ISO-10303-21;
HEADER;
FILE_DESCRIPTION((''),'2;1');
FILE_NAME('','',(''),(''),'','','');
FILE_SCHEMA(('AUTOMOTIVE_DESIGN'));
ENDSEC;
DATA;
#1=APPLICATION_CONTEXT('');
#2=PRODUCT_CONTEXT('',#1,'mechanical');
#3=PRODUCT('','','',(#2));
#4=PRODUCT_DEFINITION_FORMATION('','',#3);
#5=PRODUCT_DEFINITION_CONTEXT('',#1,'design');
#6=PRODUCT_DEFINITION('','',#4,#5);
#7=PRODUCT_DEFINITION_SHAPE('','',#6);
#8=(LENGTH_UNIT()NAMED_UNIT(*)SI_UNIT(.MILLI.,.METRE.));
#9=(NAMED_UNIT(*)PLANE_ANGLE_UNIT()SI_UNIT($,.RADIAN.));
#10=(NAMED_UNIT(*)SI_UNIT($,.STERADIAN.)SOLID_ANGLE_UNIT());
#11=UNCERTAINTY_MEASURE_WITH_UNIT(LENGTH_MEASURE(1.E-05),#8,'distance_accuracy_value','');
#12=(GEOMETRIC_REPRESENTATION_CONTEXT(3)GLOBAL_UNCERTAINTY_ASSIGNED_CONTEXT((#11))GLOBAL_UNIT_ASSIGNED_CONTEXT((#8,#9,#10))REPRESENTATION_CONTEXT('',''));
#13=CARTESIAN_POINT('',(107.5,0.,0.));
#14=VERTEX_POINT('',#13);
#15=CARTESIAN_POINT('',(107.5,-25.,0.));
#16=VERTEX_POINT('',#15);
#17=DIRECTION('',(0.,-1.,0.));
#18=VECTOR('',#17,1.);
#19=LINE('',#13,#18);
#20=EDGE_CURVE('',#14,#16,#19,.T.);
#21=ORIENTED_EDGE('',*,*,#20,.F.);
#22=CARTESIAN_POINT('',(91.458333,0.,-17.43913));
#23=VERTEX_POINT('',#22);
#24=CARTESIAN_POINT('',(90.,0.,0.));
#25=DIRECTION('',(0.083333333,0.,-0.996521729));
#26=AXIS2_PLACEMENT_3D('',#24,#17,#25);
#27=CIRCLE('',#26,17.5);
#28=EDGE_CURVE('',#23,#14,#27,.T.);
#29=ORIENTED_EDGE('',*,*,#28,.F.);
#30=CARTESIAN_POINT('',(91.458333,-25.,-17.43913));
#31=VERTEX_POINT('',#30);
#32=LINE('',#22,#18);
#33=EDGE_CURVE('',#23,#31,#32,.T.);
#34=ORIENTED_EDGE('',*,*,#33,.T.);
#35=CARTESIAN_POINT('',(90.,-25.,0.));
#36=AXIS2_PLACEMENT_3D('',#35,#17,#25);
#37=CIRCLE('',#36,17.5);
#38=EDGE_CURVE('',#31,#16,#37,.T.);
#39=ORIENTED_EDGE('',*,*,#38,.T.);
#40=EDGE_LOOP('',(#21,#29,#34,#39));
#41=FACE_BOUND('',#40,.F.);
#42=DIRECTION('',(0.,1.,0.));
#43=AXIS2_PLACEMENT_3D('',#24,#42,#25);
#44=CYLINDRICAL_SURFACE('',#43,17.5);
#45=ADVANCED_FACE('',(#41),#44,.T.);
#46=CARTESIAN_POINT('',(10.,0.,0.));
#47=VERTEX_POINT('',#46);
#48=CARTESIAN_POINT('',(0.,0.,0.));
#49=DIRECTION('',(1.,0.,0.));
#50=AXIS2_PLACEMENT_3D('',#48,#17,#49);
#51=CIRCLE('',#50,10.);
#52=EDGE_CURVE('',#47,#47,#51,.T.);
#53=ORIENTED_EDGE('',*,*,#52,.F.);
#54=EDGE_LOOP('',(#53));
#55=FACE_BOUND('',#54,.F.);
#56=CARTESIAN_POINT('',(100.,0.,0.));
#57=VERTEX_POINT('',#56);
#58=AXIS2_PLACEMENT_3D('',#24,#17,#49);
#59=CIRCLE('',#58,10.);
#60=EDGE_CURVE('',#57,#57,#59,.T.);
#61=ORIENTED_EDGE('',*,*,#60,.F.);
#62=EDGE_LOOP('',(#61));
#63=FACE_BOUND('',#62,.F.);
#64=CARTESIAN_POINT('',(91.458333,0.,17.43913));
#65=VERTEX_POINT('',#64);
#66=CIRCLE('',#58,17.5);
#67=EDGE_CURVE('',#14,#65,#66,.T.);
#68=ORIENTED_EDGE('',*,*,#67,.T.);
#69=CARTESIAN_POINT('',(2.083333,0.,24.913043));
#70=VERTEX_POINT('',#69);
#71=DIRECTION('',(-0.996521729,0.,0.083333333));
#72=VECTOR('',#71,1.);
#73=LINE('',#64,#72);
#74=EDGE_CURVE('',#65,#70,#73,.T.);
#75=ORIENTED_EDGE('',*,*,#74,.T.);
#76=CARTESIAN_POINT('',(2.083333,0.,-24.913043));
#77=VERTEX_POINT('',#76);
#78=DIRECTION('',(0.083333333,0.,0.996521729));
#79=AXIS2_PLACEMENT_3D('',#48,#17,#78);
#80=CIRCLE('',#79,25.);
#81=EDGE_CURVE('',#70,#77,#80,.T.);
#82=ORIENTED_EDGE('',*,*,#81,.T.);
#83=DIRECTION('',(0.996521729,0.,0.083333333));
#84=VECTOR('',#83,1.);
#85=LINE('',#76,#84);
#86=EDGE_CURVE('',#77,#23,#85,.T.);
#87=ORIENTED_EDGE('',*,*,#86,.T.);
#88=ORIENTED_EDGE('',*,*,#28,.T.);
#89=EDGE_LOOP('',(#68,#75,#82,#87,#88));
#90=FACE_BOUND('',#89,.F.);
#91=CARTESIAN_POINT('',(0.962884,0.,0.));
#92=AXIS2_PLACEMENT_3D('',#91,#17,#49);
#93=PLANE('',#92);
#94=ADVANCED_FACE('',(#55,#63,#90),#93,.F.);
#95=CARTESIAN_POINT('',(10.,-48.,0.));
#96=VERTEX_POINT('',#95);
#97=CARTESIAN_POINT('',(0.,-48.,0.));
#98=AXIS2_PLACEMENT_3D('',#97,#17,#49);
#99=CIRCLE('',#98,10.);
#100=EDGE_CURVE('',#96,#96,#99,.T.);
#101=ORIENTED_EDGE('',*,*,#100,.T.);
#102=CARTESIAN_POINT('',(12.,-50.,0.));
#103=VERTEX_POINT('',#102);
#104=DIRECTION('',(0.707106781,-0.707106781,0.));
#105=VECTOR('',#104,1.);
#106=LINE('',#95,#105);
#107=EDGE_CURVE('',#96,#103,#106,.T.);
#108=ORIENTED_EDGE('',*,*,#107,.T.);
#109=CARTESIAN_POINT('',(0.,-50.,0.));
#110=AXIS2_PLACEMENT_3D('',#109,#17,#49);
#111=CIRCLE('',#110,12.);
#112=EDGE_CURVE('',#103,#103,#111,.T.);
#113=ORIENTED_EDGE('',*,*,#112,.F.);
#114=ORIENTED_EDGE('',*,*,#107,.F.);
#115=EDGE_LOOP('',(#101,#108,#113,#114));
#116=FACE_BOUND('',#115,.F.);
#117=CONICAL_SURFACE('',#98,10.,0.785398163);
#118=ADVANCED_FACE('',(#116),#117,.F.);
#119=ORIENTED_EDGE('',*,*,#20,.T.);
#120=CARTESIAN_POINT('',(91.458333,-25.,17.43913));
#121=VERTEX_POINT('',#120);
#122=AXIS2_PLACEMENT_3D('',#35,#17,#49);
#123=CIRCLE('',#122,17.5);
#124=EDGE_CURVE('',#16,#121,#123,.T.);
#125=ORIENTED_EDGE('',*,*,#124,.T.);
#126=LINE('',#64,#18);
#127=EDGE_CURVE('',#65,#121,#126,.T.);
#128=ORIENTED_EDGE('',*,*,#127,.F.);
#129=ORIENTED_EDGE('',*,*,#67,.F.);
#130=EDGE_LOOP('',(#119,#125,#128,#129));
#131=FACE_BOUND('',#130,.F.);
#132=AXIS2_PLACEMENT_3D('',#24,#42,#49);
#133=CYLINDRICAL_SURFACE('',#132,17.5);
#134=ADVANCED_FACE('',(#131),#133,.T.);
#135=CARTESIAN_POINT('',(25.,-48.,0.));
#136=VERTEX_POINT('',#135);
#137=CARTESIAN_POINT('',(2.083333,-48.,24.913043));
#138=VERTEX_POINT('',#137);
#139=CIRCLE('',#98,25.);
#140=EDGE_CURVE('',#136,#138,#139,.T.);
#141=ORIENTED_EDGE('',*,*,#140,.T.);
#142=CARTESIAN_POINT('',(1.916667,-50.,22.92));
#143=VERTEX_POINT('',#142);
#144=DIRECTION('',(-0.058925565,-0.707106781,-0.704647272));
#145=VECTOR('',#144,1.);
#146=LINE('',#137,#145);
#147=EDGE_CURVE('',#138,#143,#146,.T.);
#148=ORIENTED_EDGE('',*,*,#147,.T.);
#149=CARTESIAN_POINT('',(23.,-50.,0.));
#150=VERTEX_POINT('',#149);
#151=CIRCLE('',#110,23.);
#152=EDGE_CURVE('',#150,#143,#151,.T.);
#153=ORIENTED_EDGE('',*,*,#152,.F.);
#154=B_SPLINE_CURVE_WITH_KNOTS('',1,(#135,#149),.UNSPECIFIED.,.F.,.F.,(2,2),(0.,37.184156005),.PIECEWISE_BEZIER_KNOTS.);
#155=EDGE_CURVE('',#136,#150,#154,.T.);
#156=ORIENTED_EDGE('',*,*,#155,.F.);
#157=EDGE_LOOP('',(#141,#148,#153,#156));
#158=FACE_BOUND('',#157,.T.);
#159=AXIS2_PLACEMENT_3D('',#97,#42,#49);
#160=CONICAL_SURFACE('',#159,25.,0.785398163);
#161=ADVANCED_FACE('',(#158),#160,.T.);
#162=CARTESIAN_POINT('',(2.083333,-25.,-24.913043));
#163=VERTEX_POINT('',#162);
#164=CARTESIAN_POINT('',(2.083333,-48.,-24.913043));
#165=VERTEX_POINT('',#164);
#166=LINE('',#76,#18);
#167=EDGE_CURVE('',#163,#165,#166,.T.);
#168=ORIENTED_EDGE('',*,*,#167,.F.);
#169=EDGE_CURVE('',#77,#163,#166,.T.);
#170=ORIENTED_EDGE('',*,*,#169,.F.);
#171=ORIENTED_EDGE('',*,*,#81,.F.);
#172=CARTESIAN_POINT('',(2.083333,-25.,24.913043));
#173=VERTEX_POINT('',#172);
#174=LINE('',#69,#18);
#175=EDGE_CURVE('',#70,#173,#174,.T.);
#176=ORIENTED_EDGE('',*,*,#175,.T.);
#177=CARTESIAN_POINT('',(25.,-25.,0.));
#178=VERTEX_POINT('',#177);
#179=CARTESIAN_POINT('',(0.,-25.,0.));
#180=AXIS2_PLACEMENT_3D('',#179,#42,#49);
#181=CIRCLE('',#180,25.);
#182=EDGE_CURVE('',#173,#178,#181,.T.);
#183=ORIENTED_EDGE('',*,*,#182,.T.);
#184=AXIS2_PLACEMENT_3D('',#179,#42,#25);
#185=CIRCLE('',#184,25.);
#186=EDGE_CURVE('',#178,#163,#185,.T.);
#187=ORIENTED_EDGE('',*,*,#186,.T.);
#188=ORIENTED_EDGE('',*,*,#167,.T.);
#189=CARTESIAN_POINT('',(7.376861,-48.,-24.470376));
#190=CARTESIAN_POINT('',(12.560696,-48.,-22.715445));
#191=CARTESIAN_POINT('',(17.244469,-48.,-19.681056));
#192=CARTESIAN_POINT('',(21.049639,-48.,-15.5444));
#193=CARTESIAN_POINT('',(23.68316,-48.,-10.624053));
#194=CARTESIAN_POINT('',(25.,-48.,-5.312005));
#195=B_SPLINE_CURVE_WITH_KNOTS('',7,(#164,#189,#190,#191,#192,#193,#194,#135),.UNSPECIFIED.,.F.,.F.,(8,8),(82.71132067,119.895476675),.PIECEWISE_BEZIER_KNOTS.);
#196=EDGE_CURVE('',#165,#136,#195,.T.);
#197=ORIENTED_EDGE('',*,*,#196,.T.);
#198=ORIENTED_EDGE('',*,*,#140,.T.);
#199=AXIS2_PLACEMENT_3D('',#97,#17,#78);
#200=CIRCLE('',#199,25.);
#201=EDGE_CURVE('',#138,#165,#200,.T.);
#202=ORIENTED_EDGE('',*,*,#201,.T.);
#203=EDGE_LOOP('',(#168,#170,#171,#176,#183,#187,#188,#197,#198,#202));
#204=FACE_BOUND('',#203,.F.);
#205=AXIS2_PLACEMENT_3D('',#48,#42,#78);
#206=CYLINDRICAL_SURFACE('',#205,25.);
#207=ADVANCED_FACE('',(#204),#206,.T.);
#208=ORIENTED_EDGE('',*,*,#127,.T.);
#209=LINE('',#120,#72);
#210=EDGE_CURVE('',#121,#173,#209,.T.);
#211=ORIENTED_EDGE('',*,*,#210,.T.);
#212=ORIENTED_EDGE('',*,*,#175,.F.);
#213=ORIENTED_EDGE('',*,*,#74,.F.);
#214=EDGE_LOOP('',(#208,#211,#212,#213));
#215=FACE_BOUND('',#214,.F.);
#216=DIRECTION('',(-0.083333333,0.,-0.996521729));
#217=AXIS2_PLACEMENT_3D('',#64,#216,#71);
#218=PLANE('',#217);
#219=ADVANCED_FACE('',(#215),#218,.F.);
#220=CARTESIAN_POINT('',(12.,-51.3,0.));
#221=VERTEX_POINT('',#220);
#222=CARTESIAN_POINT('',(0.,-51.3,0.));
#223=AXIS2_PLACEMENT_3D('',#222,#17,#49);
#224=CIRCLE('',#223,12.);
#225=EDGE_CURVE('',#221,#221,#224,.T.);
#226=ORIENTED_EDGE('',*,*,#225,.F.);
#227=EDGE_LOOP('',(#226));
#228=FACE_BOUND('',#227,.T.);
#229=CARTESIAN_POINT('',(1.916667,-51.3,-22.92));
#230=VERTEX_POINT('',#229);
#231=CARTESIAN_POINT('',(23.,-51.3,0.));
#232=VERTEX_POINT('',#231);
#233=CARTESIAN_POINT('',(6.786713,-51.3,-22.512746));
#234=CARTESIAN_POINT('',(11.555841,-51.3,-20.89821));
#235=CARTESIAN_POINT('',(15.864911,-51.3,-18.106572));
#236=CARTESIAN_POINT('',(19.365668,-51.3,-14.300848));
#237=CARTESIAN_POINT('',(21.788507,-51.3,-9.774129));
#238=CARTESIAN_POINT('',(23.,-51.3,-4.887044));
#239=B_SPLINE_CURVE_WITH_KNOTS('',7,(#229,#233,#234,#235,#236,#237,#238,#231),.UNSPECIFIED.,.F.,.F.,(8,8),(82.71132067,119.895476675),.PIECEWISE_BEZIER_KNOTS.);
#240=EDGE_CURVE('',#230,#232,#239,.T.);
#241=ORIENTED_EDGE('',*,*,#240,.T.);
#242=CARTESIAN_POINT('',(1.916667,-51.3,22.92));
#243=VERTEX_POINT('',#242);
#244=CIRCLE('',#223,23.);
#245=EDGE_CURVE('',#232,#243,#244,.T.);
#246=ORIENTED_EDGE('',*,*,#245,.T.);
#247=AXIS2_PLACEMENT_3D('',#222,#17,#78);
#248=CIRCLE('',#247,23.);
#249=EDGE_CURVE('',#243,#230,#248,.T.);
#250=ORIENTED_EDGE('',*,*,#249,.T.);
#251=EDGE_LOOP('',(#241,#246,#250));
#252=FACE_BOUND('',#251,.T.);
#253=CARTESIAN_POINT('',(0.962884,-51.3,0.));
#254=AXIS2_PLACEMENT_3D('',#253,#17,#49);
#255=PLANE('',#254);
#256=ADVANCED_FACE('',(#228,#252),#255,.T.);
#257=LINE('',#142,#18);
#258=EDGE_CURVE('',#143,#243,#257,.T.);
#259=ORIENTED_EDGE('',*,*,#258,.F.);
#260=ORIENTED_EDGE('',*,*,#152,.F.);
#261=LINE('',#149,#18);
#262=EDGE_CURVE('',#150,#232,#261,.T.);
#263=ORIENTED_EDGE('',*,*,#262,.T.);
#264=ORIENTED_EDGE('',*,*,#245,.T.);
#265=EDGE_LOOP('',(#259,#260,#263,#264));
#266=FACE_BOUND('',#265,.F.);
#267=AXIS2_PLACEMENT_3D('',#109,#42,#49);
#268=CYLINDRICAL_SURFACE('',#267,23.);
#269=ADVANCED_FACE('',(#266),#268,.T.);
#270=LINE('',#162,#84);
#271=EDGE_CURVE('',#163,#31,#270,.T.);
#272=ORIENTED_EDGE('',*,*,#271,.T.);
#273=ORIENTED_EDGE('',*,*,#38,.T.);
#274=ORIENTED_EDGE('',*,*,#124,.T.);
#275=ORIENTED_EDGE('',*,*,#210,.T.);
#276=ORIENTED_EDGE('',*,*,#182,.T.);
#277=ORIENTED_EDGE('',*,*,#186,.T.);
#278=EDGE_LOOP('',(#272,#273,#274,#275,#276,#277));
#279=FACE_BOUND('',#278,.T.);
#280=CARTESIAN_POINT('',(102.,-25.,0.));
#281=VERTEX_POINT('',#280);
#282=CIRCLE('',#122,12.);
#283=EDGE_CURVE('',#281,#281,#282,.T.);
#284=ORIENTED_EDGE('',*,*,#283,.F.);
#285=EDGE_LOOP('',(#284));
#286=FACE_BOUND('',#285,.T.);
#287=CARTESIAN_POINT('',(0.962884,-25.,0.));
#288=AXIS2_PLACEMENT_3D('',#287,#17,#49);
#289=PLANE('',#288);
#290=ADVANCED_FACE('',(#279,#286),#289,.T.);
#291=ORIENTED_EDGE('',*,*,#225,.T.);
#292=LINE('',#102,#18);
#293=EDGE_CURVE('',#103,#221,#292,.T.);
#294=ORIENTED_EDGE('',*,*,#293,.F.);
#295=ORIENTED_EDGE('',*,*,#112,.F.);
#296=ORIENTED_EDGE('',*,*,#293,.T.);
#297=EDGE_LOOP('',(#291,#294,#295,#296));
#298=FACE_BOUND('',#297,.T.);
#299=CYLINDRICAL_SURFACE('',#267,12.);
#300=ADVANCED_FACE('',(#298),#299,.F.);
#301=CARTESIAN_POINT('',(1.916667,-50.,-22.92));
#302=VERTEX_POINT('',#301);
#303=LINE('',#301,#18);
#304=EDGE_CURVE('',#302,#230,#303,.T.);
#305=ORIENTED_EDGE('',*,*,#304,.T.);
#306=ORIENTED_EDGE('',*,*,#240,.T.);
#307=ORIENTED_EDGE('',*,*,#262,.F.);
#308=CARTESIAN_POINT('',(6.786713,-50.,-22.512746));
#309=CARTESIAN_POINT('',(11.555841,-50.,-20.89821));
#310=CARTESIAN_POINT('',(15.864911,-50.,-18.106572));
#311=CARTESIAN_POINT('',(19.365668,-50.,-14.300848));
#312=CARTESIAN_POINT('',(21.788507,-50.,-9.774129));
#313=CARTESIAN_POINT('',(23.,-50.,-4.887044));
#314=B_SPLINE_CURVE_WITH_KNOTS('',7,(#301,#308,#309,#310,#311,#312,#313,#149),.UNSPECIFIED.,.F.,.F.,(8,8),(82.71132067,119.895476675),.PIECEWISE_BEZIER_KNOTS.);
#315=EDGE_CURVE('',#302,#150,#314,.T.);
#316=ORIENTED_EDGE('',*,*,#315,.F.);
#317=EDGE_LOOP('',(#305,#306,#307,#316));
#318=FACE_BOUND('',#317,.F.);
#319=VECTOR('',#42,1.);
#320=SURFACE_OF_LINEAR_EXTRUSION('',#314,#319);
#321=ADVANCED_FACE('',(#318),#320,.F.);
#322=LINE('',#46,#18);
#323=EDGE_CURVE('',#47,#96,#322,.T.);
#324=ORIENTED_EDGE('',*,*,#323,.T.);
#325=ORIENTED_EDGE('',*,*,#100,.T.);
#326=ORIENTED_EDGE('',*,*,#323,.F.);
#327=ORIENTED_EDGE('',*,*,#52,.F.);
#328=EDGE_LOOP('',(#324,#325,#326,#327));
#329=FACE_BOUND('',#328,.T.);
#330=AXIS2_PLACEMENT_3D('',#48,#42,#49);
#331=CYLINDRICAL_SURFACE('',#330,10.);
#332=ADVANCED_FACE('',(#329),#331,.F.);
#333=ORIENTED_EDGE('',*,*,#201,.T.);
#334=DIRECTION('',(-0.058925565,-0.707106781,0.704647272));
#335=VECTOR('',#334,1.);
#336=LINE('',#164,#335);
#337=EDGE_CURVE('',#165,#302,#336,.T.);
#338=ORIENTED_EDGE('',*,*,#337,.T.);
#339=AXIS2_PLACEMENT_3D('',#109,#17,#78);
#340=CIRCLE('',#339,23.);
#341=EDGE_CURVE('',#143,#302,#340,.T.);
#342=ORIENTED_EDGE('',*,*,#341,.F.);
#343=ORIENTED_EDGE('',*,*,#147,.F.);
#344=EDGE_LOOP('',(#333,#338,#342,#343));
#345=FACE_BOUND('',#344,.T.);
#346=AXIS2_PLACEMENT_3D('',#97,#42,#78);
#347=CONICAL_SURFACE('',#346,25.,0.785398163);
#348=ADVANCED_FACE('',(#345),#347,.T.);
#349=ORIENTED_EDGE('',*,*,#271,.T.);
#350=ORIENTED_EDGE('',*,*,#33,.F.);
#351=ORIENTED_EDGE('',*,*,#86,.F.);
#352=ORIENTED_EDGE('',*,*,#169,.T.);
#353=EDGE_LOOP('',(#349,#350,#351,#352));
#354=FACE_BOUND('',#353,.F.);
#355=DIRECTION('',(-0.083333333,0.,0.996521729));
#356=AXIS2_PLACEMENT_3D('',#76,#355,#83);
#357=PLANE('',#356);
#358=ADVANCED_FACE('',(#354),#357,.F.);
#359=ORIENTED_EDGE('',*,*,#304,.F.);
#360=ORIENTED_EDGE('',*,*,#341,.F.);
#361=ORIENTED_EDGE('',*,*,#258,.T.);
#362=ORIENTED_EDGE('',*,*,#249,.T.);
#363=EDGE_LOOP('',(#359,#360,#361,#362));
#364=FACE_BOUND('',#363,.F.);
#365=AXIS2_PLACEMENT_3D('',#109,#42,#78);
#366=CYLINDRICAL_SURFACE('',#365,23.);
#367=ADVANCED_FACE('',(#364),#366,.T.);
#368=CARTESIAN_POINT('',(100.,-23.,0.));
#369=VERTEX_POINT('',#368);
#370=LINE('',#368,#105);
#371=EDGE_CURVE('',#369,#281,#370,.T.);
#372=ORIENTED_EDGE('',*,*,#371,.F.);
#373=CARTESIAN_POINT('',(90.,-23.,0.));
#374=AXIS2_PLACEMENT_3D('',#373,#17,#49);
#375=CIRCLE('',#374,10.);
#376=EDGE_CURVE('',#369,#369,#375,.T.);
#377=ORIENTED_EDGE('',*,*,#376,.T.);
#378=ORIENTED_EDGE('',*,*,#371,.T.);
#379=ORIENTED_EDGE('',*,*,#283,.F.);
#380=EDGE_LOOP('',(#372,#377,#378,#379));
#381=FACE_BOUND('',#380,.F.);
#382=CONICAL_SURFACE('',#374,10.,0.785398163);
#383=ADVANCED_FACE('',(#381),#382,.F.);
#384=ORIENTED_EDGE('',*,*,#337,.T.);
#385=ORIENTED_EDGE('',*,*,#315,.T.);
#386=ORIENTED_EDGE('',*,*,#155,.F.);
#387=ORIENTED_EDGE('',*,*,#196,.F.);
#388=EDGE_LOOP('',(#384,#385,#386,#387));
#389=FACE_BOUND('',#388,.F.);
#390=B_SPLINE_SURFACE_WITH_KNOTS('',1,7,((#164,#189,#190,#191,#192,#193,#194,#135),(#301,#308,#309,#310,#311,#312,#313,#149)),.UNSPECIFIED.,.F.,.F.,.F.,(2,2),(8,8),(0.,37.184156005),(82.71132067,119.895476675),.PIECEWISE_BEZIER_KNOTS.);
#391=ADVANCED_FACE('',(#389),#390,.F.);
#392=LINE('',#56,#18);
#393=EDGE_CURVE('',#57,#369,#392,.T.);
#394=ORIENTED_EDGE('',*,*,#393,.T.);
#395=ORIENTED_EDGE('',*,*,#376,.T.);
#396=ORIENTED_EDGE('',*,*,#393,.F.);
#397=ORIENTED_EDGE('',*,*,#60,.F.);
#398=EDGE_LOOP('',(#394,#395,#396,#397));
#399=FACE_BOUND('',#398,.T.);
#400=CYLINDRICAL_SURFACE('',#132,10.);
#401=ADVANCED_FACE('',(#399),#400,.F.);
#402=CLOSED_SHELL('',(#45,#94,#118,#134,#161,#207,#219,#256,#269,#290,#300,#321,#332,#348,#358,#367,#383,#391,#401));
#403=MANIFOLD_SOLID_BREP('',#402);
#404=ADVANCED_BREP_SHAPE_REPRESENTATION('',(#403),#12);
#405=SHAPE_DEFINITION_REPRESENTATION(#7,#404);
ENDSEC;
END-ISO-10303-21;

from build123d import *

# Parameters (mm, degrees)
F0_R     = 10
F1_DEPTH = 25
F2_DEPTH = 50
F3_SIZE  = 2
F4_DEPTH = 1.3


with BuildPart() as f1:
    # F0 (on Front) → F1 (new body)
    with BuildSketch(Plane.XZ):
        with BuildLine():
            ThreePointArc((2.0833333333, -24.9130432148), (18.3995018048, -16.9250800097), (25, 0))
            ThreePointArc((25, 0), (18.3995018048, 16.9250800097), (2.0833333333, 24.9130432148))
            ThreePointArc((2.0833333333, 24.9130432148), (-25, 0), (2.0833333333, -24.9130432148))
        make_face()
        Circle(F0_R, mode=Mode.SUBTRACT)
        with BuildLine():
            ThreePointArc((2.0833333333, 24.9130432148), (18.3995018048, 16.9250800097), (25, 0))
            ThreePointArc((25, 0), (18.3995018048, -16.9250800097), (2.0833333333, -24.9130432148))
            Line((2.0833333333, -24.9130432148), (91.4583333333, -17.4391302504))
            ThreePointArc((91.4583333333, -17.4391302504), (72.5, 0), (91.4583333333, 17.4391302504))
            Line((91.4583333333, 17.4391302504), (2.0833333333, 24.9130432148))
        make_face()
        with BuildLine():
            ThreePointArc((107.5, 0), (102.8796512634, 11.8475560068), (91.4583333333, 17.4391302504))
            ThreePointArc((91.4583333333, 17.4391302504), (72.5, 0), (91.4583333333, -17.4391302504))
            ThreePointArc((91.4583333333, -17.4391302504), (102.8796512634, -11.8475560068), (107.5, 0))
        make_face()
        with Locations((90, 0)):
            Circle(F0_R, mode=Mode.SUBTRACT)
    extrude(amount=F1_DEPTH)

    # F0 (on Front) → F2 (join)
    with BuildSketch(Plane.XZ):
        with BuildLine():
            ThreePointArc((2.0833333333, -24.9130432148), (18.3995018048, -16.9250800097), (25, 0))
            ThreePointArc((25, 0), (18.3995018048, 16.9250800097), (2.0833333333, 24.9130432148))
            ThreePointArc((2.0833333333, 24.9130432148), (-25, 0), (2.0833333333, -24.9130432148))
        make_face()
        Circle(F0_R, mode=Mode.SUBTRACT)
    extrude(amount=F2_DEPTH)

    # F3
    f3_edges = [f1.edges().sort_by_distance(p)[0] for p in [
        (-2.083333, -50, 24.913043),
        (-10, -50, 0),
        (80, -25, 0),
    ]]
    chamfer(f3_edges, length=F3_SIZE)

    # F4 (add): a face of the model
    f4_faces = [f1.faces().sort_by_distance(p)[0] for p in [
        (-1.8624551468, -50, 22.2717242675),
    ]]
    extrude(f4_faces, amount=F4_DEPTH)


solid = f1.part
